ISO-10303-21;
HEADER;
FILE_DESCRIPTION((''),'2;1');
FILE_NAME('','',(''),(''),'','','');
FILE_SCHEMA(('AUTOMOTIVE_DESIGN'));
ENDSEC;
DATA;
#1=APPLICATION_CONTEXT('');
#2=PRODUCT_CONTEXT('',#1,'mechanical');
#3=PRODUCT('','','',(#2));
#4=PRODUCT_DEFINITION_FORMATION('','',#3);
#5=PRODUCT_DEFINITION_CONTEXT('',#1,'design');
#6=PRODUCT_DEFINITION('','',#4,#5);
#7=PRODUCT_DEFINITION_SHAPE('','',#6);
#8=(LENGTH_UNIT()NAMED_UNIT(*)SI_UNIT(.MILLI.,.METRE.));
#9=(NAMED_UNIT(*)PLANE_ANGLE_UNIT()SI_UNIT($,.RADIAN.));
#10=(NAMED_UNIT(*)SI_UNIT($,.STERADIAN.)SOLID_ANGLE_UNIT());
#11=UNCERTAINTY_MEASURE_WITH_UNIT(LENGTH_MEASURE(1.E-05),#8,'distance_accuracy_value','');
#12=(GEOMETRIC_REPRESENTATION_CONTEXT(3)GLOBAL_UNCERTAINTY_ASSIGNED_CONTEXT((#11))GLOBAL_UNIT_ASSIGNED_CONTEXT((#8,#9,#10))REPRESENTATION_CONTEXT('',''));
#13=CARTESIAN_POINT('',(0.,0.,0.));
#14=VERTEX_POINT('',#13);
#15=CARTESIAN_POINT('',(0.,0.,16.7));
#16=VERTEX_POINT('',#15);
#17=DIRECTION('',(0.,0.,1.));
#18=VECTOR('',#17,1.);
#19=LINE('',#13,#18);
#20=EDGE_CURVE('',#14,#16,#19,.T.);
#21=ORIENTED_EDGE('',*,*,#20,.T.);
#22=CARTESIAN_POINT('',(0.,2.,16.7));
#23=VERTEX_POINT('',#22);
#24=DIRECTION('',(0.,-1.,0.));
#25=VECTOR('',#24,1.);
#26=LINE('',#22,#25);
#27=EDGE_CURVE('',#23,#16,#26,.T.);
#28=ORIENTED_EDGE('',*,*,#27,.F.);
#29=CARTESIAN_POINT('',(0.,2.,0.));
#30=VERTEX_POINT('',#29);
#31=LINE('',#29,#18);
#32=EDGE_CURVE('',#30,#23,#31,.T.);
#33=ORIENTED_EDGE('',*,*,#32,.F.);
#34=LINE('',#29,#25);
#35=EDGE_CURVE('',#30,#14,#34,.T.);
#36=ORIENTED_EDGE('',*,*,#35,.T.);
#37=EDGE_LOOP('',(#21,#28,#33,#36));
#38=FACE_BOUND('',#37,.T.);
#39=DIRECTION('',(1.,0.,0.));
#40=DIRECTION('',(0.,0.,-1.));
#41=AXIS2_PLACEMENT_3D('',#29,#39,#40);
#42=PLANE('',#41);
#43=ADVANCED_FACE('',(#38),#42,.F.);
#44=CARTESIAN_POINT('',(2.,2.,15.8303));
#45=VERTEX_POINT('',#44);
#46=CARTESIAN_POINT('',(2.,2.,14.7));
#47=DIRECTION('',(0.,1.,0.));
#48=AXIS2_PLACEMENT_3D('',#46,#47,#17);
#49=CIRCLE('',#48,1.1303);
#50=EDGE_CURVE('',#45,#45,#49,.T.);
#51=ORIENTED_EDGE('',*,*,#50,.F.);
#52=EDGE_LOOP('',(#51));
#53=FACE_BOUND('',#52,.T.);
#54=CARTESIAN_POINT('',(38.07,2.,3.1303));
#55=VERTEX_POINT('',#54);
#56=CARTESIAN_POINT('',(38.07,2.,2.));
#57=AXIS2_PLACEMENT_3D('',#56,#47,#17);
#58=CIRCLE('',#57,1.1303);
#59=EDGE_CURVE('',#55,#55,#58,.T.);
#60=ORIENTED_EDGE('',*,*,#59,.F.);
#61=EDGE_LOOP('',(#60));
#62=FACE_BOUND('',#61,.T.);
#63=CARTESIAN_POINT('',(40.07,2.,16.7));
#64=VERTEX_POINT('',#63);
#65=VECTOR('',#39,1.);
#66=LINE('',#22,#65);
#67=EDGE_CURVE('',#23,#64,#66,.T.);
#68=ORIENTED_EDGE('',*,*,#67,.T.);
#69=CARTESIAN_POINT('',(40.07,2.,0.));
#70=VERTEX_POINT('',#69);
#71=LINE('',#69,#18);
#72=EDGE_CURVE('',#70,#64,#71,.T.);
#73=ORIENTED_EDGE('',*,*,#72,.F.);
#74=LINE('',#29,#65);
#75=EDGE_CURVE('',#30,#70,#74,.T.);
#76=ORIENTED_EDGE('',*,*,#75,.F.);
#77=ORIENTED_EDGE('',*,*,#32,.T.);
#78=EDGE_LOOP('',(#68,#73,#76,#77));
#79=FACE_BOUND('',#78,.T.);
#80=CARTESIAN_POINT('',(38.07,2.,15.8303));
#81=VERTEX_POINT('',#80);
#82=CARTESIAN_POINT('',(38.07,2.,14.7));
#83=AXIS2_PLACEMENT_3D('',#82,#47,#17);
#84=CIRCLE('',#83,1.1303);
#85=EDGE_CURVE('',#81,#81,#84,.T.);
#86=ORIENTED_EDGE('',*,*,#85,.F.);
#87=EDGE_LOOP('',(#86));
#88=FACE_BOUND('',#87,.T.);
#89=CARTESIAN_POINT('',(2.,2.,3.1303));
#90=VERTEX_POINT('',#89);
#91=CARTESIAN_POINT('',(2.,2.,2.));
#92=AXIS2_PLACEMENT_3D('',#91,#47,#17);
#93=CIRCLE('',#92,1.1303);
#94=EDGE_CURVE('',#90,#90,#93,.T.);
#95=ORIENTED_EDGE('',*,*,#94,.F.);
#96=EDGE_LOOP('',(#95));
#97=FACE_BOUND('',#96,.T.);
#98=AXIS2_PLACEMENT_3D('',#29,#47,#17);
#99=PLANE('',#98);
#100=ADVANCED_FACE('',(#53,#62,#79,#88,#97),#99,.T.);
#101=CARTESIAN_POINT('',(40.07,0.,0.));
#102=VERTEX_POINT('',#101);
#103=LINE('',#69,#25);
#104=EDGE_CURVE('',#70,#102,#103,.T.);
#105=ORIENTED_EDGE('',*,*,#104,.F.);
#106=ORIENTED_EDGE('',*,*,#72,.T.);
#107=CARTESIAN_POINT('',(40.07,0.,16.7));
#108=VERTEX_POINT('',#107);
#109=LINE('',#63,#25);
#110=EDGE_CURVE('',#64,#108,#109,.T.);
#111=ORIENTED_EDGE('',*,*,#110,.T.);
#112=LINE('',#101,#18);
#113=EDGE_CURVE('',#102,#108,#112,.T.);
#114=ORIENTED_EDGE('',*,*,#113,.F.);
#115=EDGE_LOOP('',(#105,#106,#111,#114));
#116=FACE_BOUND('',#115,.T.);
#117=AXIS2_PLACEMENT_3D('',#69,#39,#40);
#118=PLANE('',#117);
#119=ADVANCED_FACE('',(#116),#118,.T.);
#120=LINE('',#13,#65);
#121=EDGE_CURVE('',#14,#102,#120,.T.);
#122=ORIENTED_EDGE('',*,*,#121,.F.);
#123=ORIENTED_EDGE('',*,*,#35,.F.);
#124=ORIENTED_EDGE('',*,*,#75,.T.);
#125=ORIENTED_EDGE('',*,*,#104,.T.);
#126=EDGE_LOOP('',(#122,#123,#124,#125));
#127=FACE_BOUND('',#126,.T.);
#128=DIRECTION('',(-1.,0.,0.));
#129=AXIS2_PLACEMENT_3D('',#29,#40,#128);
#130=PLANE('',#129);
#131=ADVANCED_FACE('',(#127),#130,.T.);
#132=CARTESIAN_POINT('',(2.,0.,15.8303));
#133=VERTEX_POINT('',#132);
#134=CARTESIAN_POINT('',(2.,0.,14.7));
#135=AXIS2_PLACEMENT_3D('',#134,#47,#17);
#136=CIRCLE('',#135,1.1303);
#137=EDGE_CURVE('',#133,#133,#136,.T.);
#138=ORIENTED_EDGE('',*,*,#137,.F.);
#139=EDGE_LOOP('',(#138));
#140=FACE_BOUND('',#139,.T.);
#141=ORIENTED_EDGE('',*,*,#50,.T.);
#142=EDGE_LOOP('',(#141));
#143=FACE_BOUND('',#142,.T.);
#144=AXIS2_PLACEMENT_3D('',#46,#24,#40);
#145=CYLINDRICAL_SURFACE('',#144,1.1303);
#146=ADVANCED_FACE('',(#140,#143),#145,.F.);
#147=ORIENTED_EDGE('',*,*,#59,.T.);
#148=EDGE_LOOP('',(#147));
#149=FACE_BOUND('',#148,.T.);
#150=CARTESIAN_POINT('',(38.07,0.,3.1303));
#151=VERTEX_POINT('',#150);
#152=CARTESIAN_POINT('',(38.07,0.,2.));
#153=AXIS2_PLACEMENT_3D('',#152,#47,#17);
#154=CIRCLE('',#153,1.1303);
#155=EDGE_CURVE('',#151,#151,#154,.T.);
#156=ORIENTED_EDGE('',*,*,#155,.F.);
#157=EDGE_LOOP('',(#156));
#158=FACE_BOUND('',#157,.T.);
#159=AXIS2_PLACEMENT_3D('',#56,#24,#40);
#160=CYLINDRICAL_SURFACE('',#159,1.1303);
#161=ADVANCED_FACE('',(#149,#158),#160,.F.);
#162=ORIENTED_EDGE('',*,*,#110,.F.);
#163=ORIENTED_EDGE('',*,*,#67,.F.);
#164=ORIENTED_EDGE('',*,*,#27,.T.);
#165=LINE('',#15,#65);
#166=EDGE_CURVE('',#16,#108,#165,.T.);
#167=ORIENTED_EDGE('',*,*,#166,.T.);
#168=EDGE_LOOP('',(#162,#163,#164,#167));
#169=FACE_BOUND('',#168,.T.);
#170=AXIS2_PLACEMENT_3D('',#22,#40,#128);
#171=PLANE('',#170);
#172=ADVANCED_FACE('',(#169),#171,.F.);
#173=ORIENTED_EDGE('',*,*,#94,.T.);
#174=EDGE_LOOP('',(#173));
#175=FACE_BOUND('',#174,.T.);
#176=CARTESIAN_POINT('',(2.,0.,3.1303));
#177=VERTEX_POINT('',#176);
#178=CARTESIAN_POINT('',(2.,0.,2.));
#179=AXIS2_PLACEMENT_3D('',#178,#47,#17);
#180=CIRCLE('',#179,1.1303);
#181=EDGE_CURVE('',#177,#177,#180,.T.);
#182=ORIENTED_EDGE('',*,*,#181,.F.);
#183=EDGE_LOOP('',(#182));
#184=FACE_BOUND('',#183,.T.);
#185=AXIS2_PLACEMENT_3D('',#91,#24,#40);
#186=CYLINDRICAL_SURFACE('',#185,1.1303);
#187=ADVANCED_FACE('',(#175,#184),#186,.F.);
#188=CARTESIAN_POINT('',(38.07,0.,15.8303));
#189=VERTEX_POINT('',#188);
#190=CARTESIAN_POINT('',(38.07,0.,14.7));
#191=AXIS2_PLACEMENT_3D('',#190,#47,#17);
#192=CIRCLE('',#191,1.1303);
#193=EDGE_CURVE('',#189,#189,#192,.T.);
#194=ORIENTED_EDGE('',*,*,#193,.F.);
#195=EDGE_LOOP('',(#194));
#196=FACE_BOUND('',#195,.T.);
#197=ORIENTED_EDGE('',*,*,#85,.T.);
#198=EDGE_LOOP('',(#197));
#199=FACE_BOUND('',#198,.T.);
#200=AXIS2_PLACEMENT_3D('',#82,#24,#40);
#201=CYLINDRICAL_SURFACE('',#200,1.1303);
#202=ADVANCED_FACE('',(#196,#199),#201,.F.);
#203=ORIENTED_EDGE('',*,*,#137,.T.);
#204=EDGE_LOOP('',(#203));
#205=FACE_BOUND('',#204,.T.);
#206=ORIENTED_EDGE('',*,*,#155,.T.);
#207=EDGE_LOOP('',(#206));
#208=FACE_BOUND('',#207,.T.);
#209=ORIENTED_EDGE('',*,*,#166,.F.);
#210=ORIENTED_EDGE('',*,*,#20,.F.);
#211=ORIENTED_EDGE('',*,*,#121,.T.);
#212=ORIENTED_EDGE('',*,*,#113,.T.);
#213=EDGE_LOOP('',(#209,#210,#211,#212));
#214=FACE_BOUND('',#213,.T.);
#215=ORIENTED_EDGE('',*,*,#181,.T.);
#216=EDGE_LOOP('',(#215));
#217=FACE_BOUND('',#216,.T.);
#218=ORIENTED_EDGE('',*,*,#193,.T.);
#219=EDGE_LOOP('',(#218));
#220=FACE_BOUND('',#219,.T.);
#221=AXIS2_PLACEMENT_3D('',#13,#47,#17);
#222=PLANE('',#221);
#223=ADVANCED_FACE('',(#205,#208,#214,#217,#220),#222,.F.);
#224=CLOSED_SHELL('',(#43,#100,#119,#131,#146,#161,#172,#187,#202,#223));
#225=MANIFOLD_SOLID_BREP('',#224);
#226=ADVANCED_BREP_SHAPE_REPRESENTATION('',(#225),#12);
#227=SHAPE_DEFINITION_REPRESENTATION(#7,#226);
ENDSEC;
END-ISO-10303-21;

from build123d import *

# Parameters (mm, degrees)
SKETCH1_W           = 40.07
SKETCH1_H           = 16.7
SKETCH1_R           = 1.1303
BOSS_EXTRUDE1_DEPTH = 2


with BuildPart() as part:
    # Sketch1 → Boss-Extrude1 (new body)
    with BuildSketch(Plane(origin=(0, 0, 0), x_dir=(1, 0, 0), z_dir=(0, 1, 0))):
        with Locations((20.035, -8.35)):
            Rectangle(SKETCH1_W, SKETCH1_H)
        with Locations(Location((2, -2, 0), (0, 0, 270))):
            Circle(SKETCH1_R, mode=Mode.SUBTRACT)
        with Locations(Location((38.07, -2, 0), (0, 0, 270))):
            Circle(SKETCH1_R, mode=Mode.SUBTRACT)
        with Locations(Location((38.07, -14.7, 0), (0, 0, 270))):
            Circle(SKETCH1_R, mode=Mode.SUBTRACT)
        with Locations(Location((2, -14.7, 0), (0, 0, 270))):
            Circle(SKETCH1_R, mode=Mode.SUBTRACT)
    extrude(amount=BOSS_EXTRUDE1_DEPTH)


solid = part.part
